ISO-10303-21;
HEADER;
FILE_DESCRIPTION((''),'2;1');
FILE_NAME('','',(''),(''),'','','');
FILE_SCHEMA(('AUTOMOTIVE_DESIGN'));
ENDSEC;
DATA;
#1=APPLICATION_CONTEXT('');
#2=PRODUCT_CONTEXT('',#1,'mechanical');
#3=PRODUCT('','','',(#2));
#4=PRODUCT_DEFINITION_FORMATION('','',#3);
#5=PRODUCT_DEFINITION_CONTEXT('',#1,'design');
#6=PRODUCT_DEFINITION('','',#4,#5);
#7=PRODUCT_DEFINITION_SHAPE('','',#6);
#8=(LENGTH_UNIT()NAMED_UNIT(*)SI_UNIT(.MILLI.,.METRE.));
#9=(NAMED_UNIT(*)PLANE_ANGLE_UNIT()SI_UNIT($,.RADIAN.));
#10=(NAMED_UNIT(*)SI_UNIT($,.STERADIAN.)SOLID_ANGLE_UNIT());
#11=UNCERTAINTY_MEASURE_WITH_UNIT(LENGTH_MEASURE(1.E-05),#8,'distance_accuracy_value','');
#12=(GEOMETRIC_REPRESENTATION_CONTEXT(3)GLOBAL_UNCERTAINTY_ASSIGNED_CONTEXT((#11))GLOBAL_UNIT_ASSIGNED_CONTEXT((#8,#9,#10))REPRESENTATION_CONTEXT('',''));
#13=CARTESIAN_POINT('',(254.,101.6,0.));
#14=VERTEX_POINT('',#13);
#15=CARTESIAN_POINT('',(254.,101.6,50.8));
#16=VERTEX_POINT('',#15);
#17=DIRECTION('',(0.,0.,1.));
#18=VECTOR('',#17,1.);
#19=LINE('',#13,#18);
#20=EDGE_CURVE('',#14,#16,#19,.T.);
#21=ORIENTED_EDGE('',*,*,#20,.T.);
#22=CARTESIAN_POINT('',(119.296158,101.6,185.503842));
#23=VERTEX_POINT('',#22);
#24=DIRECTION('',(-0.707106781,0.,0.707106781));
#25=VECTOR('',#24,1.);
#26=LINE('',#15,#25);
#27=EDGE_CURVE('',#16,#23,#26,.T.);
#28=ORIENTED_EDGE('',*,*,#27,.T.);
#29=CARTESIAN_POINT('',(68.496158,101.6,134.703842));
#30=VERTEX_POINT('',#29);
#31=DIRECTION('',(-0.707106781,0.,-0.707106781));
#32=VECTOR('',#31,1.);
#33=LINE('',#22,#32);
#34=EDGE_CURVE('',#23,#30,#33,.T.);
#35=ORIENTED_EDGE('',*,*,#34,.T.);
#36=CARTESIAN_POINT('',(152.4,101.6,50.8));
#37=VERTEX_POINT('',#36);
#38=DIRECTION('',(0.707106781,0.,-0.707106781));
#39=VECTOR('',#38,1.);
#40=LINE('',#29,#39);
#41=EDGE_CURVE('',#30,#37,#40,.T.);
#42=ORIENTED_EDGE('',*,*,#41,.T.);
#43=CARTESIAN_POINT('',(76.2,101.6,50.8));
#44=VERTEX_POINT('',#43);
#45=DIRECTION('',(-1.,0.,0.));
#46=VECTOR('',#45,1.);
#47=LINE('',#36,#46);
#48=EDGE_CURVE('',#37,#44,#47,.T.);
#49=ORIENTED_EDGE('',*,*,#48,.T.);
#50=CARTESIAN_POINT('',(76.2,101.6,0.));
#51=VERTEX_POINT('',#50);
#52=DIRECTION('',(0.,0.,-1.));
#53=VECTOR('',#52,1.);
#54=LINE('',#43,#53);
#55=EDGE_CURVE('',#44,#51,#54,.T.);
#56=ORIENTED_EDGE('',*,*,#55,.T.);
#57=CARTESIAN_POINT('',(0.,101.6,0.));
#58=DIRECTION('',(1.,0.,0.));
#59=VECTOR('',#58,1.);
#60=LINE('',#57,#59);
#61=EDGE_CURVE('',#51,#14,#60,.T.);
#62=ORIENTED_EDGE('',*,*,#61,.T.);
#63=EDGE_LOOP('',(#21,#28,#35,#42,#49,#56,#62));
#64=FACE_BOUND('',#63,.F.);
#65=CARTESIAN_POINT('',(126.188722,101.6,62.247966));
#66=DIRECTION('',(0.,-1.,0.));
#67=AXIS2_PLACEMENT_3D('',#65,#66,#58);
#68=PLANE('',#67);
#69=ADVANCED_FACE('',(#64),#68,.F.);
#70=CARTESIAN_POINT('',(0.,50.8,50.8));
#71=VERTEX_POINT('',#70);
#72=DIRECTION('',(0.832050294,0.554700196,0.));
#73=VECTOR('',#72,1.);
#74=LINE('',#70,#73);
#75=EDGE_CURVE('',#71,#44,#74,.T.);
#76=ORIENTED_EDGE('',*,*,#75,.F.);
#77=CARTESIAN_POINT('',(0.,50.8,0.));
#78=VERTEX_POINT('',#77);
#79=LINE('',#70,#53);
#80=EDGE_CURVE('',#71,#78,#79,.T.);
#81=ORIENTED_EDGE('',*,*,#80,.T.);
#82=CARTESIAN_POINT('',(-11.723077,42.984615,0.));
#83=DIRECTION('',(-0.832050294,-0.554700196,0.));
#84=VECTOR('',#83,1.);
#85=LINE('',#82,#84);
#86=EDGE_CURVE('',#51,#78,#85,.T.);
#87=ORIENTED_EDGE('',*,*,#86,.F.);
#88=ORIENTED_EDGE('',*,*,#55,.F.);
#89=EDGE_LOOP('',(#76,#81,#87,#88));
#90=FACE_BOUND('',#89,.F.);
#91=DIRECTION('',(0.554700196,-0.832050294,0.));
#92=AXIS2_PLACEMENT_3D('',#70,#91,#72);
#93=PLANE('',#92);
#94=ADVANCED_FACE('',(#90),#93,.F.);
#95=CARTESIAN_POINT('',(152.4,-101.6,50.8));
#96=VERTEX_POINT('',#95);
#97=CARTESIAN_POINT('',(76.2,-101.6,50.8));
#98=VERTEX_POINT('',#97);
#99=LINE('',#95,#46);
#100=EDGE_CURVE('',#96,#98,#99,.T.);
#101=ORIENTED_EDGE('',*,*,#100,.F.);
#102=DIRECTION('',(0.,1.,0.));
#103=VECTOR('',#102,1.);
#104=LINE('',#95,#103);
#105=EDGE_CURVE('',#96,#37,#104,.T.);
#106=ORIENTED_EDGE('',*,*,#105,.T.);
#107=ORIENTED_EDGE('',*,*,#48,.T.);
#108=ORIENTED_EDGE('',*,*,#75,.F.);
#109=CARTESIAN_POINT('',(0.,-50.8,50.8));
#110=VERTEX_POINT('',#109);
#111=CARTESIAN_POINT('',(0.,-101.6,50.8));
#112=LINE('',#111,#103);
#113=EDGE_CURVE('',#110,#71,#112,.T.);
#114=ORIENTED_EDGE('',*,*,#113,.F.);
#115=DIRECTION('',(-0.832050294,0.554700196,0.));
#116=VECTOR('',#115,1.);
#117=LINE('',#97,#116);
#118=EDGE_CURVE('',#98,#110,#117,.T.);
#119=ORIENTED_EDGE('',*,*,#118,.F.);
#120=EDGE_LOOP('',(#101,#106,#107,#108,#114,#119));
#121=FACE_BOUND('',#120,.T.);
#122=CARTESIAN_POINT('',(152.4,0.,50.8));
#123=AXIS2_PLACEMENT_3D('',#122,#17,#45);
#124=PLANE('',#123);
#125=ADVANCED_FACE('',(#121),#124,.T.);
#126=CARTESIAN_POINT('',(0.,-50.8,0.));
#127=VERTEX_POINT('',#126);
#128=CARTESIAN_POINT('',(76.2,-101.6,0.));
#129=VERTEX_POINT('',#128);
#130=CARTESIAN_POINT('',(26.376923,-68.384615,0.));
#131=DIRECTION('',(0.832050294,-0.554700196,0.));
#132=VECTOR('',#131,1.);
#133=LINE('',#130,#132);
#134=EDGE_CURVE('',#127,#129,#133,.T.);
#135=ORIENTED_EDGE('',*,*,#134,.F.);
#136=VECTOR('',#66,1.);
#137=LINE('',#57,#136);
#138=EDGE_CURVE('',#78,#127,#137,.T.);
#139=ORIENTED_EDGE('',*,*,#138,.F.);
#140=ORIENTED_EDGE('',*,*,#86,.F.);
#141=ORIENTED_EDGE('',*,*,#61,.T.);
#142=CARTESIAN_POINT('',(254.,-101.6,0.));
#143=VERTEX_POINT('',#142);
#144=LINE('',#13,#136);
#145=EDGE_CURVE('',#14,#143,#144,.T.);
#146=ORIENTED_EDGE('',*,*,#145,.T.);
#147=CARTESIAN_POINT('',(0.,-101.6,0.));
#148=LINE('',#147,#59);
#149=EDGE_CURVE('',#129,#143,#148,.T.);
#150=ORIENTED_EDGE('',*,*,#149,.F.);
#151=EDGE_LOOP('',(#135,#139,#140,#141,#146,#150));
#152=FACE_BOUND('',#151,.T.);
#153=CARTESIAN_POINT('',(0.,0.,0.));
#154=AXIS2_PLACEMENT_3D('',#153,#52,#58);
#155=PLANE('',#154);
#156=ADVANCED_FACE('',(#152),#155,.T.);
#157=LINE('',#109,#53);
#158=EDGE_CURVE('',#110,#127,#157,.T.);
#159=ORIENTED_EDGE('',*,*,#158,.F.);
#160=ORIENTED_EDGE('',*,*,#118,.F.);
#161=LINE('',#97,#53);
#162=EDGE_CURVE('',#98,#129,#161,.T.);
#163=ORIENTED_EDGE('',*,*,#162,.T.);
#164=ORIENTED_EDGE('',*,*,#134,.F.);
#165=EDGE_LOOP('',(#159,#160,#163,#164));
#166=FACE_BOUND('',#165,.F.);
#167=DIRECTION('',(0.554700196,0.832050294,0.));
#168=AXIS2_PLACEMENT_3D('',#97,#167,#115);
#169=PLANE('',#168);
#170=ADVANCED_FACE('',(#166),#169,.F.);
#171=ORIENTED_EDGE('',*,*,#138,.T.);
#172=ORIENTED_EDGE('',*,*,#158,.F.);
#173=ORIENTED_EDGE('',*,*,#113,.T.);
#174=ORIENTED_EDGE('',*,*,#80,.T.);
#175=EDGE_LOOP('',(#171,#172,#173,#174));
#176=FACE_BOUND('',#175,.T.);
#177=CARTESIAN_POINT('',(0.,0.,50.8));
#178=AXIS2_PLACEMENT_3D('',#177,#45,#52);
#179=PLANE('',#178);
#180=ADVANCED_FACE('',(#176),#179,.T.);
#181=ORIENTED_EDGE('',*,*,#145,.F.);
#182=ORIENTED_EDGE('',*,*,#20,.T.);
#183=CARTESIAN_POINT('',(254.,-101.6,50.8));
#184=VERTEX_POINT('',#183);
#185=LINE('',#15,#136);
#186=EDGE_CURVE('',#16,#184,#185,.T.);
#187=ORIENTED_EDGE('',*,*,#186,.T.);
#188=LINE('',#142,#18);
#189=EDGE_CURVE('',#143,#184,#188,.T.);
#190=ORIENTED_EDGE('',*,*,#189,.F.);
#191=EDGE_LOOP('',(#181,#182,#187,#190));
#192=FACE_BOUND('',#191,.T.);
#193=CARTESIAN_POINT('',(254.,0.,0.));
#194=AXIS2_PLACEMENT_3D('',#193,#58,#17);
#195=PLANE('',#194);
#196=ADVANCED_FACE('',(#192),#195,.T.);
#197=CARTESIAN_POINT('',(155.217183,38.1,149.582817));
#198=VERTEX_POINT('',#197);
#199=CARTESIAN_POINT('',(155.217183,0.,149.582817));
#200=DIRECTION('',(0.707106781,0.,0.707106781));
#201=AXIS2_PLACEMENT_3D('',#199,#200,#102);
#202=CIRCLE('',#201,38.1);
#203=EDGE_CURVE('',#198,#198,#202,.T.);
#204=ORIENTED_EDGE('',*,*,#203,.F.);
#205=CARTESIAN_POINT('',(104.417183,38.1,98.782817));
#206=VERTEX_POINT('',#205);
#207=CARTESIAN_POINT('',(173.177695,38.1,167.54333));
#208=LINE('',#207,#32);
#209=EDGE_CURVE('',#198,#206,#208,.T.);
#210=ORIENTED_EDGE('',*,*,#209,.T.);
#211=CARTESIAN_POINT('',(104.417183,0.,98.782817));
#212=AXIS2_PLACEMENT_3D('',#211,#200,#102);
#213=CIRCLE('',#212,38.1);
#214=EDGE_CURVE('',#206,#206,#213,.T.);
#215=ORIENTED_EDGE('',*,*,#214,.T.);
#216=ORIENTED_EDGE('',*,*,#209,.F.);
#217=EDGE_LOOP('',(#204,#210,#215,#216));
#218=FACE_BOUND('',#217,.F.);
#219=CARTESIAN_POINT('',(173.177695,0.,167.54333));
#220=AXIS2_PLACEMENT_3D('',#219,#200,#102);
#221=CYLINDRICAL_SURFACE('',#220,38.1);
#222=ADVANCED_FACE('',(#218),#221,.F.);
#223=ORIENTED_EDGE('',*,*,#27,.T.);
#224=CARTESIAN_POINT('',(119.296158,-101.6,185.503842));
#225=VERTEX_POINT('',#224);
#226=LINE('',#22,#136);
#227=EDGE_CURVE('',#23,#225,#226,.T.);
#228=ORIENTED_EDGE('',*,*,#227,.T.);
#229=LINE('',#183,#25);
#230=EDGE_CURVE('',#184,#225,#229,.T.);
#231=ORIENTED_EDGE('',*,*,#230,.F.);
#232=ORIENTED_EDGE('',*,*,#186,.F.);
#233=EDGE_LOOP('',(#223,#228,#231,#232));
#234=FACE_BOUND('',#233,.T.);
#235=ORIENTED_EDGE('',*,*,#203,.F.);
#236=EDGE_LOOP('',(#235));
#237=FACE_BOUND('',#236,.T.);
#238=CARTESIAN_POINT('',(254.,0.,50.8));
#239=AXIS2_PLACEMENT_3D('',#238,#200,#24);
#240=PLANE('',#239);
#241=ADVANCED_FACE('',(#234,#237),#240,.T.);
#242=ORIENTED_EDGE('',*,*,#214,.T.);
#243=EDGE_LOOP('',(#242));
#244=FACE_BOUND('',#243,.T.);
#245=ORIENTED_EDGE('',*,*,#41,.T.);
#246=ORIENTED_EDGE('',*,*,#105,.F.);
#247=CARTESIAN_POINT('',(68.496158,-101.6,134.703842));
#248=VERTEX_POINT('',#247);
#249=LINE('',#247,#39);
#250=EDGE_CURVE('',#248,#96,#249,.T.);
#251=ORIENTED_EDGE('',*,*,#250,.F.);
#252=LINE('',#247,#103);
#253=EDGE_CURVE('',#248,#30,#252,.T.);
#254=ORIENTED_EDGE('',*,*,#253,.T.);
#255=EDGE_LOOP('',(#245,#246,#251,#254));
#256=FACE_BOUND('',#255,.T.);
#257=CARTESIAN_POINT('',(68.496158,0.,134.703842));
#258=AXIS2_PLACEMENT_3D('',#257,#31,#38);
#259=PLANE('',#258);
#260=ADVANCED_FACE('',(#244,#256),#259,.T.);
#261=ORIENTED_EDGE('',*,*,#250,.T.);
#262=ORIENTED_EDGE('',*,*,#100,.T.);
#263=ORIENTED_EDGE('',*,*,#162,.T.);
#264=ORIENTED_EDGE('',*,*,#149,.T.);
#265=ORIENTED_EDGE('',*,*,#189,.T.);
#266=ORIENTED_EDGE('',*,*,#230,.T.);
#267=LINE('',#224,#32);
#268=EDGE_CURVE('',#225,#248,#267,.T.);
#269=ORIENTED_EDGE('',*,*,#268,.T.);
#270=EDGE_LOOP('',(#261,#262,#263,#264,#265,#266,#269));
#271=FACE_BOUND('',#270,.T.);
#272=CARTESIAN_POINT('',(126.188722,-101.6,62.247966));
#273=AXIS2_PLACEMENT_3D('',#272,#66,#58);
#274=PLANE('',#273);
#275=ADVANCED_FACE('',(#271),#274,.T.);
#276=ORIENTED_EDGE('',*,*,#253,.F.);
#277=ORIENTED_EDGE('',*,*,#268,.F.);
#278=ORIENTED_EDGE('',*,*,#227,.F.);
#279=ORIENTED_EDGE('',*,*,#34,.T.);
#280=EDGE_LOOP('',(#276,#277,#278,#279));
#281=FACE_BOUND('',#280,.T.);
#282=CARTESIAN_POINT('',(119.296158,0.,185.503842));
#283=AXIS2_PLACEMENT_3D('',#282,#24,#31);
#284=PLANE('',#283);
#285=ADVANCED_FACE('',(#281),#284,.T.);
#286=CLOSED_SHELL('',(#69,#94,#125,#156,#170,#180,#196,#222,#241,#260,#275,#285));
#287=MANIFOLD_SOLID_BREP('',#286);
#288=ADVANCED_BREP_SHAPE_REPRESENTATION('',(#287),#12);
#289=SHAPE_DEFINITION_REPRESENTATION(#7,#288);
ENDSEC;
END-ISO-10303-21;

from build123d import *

# Parameters (mm, degrees)
F1_DEPTH      = 101.6
F3_DEPTH      = 50.801
F5_R          = 38.1
F6_DEPTH      = 101.6
F6_DEPTH_BACK = 101.6


with BuildPart() as f1:
    # F0 (on Front) → F1 (new body, symmetric)
    with BuildSketch(Plane.XZ):
        Polygon((0, 50.8), (0, 0), (254, 0), (254, 50.8), (119.296158184, 185.503841816), (68.496158184, 134.703841816), (152.4, 50.8), align=None)
    extrude(amount=F1_DEPTH, both=True)

    # F2 (on face) → F3 (cut, through all)
    with BuildSketch(Plane.XY.offset(50.8)):
        Polygon((76.2, 101.6), (0, 101.6), (0, 50.8), align=None)
        Polygon((76.2, -101.6), (0, -50.8), (0, -101.6), align=None)
    extrude(amount=-F3_DEPTH, mode=Mode.SUBTRACT)

    # F5 (on offset) → F6 (cut, two sides)
    with BuildSketch(Plane(origin=(170.3605122421, 0, 170.3605122421), x_dir=(0, 1, 0), z_dir=(0.7071067812, 0, 0.7071067812))) as f6_sk:
        with Locations((0, -3.9840979371)):
            Circle(F5_R)
    extrude(amount=F6_DEPTH, mode=Mode.SUBTRACT)
    extrude(f6_sk.sketch, amount=-F6_DEPTH_BACK, mode=Mode.SUBTRACT)


solid = f1.part
